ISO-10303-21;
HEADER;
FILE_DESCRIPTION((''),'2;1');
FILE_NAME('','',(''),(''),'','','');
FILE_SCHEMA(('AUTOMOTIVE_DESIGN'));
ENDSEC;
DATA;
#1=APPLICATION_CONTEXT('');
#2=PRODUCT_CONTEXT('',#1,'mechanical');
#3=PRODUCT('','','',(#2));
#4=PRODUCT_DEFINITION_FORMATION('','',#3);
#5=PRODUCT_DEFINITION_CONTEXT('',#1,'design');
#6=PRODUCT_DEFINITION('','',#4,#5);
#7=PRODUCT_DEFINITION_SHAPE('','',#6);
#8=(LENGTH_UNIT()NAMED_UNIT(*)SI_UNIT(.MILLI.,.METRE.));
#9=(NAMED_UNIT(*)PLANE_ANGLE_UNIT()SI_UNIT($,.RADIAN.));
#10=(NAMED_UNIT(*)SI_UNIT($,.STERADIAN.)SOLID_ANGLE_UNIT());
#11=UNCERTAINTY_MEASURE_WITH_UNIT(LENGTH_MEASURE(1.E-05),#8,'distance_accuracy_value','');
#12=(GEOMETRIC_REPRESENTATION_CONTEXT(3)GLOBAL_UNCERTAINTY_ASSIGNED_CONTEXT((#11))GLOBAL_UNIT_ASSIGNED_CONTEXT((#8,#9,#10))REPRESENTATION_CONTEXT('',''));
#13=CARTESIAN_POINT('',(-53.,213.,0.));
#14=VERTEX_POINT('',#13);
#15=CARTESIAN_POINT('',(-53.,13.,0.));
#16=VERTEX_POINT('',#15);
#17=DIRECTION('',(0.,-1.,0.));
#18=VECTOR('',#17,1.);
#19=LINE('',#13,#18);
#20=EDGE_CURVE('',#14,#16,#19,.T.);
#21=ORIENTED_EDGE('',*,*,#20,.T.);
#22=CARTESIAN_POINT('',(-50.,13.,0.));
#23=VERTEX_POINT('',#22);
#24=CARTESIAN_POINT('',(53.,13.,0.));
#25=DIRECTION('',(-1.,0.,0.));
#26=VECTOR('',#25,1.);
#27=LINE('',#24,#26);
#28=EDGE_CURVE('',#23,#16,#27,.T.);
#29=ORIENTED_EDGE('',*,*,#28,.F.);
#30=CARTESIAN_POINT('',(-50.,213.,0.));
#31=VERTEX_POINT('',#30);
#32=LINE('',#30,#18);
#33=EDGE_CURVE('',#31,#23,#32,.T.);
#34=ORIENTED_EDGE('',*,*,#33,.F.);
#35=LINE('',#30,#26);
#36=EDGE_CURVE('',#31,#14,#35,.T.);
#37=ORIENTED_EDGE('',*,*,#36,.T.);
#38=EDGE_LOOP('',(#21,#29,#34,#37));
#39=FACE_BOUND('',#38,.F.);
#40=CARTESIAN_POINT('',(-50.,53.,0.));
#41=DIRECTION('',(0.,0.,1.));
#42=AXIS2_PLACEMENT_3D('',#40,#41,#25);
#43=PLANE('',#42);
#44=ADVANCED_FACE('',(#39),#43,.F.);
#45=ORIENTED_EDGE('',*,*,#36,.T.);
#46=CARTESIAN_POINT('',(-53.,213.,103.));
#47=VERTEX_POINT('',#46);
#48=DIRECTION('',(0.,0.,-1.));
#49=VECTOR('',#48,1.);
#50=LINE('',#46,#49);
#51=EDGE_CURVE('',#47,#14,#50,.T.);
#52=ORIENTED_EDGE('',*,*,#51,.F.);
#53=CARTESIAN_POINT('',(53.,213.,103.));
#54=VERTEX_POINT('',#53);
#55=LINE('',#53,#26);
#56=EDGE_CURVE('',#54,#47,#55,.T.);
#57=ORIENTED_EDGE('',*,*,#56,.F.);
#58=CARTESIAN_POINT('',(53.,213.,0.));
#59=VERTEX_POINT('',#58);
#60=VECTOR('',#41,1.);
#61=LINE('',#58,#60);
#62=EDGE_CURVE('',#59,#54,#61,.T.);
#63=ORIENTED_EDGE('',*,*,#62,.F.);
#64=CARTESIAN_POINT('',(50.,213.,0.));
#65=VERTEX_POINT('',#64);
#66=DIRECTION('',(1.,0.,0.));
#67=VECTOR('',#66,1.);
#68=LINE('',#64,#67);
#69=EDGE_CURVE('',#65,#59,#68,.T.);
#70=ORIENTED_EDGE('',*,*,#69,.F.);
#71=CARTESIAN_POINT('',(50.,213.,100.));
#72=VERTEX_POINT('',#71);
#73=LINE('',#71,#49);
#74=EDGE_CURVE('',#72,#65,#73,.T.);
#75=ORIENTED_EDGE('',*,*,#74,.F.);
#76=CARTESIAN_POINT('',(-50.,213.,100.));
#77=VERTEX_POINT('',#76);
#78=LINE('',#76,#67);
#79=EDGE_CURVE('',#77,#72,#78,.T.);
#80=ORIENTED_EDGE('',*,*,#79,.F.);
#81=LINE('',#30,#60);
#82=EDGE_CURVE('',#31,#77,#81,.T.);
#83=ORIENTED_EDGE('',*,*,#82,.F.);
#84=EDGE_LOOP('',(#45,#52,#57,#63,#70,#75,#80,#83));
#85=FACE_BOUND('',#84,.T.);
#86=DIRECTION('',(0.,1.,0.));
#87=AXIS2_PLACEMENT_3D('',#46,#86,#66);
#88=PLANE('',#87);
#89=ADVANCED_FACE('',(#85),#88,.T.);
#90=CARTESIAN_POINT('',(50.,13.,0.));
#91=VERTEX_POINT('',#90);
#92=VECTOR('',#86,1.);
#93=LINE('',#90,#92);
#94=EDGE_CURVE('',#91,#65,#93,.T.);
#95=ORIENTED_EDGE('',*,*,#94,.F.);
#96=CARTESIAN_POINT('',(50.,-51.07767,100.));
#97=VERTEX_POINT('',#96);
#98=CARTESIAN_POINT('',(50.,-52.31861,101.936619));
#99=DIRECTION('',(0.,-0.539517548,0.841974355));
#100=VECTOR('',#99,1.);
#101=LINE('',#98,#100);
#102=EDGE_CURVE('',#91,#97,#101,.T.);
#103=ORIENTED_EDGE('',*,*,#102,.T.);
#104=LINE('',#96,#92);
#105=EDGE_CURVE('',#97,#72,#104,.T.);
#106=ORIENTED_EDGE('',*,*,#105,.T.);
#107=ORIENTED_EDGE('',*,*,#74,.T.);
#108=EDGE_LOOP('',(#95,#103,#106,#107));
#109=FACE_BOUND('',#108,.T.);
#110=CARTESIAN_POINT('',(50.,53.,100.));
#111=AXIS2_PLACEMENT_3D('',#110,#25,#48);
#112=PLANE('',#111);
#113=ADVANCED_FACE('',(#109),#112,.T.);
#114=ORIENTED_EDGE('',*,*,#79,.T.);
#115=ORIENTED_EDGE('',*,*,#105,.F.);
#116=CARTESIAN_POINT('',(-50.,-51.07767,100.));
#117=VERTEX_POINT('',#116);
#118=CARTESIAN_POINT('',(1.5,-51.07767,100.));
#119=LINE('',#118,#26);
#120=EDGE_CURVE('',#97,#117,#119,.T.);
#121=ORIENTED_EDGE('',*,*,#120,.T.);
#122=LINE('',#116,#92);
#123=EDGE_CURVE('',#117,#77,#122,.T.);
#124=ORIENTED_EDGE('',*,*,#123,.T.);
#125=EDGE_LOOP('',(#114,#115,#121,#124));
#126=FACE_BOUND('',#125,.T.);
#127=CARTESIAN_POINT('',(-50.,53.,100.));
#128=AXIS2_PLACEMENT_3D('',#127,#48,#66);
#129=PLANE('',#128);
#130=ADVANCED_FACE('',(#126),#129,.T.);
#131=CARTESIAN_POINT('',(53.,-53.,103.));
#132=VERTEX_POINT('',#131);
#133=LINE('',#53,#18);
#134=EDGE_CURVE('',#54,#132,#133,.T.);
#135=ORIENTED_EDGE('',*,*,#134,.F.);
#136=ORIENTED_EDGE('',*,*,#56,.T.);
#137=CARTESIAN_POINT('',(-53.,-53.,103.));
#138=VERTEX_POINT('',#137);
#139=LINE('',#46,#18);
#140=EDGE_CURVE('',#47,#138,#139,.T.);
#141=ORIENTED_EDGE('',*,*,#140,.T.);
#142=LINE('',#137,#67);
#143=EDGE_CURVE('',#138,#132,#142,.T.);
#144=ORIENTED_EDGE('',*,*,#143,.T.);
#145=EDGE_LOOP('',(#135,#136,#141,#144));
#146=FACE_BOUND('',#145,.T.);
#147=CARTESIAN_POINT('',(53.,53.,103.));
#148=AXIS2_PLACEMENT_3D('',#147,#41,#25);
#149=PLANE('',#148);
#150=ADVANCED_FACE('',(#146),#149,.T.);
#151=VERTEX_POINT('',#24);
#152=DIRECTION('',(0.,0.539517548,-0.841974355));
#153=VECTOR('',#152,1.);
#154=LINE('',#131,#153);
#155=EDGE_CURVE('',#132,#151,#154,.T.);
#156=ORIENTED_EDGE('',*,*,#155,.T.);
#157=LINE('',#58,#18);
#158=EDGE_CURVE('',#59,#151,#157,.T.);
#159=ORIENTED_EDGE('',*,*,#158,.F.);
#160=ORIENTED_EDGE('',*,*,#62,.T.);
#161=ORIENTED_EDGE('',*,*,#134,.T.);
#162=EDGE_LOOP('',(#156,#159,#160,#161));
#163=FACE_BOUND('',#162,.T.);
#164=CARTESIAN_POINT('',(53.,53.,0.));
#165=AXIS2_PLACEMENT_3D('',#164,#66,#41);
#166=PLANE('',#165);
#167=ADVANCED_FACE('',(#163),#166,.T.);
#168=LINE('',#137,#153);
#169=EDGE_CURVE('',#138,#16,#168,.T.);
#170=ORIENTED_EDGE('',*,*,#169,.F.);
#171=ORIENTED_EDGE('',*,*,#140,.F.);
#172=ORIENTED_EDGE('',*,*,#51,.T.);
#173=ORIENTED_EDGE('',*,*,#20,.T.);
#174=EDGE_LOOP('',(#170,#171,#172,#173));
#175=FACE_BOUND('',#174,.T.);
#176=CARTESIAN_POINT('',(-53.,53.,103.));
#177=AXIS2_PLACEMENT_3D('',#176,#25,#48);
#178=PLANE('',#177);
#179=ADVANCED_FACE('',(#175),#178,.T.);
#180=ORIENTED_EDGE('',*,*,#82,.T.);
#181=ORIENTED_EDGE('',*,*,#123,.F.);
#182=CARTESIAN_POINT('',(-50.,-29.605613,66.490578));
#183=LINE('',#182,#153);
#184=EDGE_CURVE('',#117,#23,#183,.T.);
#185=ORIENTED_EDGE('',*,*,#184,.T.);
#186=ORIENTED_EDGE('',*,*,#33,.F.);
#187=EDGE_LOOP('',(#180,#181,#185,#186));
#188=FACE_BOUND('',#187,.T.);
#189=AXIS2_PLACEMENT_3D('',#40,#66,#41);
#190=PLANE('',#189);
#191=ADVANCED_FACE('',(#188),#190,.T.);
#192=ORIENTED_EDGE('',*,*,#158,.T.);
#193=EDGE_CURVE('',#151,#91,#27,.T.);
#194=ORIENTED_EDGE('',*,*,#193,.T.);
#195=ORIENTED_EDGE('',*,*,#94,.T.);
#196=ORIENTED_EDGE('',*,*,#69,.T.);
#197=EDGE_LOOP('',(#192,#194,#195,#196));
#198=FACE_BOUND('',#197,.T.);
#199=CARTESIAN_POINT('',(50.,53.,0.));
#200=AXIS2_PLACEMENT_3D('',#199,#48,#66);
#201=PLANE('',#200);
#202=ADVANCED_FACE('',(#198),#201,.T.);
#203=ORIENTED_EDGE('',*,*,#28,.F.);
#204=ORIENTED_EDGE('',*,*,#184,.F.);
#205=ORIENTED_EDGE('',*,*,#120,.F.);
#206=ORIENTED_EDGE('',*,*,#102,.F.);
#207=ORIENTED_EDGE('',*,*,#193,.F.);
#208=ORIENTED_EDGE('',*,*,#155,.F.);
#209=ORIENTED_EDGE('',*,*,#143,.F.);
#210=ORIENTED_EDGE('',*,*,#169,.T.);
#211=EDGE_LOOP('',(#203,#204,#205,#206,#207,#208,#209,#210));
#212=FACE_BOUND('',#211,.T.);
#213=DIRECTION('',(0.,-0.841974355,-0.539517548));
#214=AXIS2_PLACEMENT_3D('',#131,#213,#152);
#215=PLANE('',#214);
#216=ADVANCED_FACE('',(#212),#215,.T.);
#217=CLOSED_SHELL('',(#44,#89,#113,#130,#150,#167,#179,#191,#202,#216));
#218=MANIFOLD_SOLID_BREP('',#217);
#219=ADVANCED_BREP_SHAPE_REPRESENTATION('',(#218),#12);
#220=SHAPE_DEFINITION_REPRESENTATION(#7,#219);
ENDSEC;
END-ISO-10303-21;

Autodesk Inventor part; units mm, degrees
ref_plane "YZ Plane" through (0, 0, 0) normal (1, 0, 0) x (0, 1, 0)
ref_plane "XZ Plane" through (0, 0, 0) normal (0, 1, 0) x (-1, 0, 0)
ref_plane "XY Plane" through (0, 0, 0) normal (0, 0, 1) x (1, 0, 0)
sketch "Sketch2" plane through (0, 0, 0) normal (0, 0, 1) x (1, 0, 0)
  line L0 (53, 53) -> (-53, 53)
  line L1 (-53, 53) -> (-53, -53)
  line L2 (-53, -53) -> (53, -53)
  line L3 (53, -53) -> (53, 53)
  line L4 (53, 53) -> (-53, -53) construction
  line L5 (-53, 53) -> (53, -53) construction
  point P0 (0, 0)
  dimension "d0" = 106
  dimension "d1" = 106
extrude "Extrusion1" add sketch "Sketch2" along normal blind 103
sketch "Sketch3" plane through (-53, -53, 0) normal (0, -1, 0) x (1, 0, 0)
  line L0 (0, 0) -> (106, 0) construction
  line L1 (106, 0) -> (106, 103) construction
  line L2 (0, 103) -> (106, 103) construction
  line L3 (0, 0) -> (0, 103) construction
  line L4 (103, 0) -> (3, 0)
  line L5 (3, 0) -> (3, 100)
  line L6 (3, 100) -> (103, 100)
  line L7 (103, 100) -> (103, 0)
  line L8 (103, 0) -> (3, 100) construction
  line L9 (3, 0) -> (103, 100) construction
  line L10 (53, 127.2) -> (53, -21.2) construction
  point P0 (53, 0)
  point P1 (53, 50)
  point P2 (53, 50)
  point P3 (53, 0)
  dimension "d4" = 3
  dimension "d5" = 3
extrude "Extrusion2" cut sketch "Sketch3" against normal up to surface (106 mm away)
sketch "Sketch4" plane through (53, -53, 0) normal (1, 0, 0) x (0, 0, -1)
  line L0 (0, 0) -> (0, 106) construction
  line L1 (0, 106) -> (-103, 106) construction
  line L2 (-103, 0) -> (-103, 106) construction
  line L3 (0, 0) -> (-103, 0) construction
  line L4 (0, 0) -> (-103, 0)
  line L5 (-103, 0) -> (0, 66)
  line L6 (0, 0) -> (0, 66)
  point P0 (0, 53)
  dimension "d14" = 40
extrude "Extrusion3" cut sketch "Sketch4" against normal up to surface (106 mm away)
sketch "Sketch5" plane through (-53, 53, 103) normal (0, 1, 0) x (1, 0, 0)
  line L0 (3, 3) -> (3, 103) construction
  line L1 (0, 103) -> (0, 0) construction
  line L2 (106, 0) -> (0, 0) construction
  line L3 (106, 103) -> (106, 0) construction
  line L4 (103, 103) -> (103, 3) construction
  line L5 (103, 3) -> (3, 3) construction
  line L6 (103, 103) -> (106, 103)
  line L7 (106, 103) -> (106, 0)
  line L8 (0, 0) -> (0, 103)
  line L9 (3, 103) -> (0, 103)
  line L10 (3, 103) -> (3, 3)
  line L11 (3, 3) -> (103, 3)
  line L12 (103, 3) -> (103, 103)
  line L13 (106, 0) -> (0, 0)
  line L14 (127.2, 103) -> (-21.2, 103) construction
  line L15 (3, 103) -> (0, 103) projected
  line L16 (106, 103) -> (103, 103) projected
  point P0 (53, 103)
  point P1 (1.5, 103)
extrude "Extrusion4" add sketch "Sketch5" along normal blind 160
properties part number "P034_Casquette"
